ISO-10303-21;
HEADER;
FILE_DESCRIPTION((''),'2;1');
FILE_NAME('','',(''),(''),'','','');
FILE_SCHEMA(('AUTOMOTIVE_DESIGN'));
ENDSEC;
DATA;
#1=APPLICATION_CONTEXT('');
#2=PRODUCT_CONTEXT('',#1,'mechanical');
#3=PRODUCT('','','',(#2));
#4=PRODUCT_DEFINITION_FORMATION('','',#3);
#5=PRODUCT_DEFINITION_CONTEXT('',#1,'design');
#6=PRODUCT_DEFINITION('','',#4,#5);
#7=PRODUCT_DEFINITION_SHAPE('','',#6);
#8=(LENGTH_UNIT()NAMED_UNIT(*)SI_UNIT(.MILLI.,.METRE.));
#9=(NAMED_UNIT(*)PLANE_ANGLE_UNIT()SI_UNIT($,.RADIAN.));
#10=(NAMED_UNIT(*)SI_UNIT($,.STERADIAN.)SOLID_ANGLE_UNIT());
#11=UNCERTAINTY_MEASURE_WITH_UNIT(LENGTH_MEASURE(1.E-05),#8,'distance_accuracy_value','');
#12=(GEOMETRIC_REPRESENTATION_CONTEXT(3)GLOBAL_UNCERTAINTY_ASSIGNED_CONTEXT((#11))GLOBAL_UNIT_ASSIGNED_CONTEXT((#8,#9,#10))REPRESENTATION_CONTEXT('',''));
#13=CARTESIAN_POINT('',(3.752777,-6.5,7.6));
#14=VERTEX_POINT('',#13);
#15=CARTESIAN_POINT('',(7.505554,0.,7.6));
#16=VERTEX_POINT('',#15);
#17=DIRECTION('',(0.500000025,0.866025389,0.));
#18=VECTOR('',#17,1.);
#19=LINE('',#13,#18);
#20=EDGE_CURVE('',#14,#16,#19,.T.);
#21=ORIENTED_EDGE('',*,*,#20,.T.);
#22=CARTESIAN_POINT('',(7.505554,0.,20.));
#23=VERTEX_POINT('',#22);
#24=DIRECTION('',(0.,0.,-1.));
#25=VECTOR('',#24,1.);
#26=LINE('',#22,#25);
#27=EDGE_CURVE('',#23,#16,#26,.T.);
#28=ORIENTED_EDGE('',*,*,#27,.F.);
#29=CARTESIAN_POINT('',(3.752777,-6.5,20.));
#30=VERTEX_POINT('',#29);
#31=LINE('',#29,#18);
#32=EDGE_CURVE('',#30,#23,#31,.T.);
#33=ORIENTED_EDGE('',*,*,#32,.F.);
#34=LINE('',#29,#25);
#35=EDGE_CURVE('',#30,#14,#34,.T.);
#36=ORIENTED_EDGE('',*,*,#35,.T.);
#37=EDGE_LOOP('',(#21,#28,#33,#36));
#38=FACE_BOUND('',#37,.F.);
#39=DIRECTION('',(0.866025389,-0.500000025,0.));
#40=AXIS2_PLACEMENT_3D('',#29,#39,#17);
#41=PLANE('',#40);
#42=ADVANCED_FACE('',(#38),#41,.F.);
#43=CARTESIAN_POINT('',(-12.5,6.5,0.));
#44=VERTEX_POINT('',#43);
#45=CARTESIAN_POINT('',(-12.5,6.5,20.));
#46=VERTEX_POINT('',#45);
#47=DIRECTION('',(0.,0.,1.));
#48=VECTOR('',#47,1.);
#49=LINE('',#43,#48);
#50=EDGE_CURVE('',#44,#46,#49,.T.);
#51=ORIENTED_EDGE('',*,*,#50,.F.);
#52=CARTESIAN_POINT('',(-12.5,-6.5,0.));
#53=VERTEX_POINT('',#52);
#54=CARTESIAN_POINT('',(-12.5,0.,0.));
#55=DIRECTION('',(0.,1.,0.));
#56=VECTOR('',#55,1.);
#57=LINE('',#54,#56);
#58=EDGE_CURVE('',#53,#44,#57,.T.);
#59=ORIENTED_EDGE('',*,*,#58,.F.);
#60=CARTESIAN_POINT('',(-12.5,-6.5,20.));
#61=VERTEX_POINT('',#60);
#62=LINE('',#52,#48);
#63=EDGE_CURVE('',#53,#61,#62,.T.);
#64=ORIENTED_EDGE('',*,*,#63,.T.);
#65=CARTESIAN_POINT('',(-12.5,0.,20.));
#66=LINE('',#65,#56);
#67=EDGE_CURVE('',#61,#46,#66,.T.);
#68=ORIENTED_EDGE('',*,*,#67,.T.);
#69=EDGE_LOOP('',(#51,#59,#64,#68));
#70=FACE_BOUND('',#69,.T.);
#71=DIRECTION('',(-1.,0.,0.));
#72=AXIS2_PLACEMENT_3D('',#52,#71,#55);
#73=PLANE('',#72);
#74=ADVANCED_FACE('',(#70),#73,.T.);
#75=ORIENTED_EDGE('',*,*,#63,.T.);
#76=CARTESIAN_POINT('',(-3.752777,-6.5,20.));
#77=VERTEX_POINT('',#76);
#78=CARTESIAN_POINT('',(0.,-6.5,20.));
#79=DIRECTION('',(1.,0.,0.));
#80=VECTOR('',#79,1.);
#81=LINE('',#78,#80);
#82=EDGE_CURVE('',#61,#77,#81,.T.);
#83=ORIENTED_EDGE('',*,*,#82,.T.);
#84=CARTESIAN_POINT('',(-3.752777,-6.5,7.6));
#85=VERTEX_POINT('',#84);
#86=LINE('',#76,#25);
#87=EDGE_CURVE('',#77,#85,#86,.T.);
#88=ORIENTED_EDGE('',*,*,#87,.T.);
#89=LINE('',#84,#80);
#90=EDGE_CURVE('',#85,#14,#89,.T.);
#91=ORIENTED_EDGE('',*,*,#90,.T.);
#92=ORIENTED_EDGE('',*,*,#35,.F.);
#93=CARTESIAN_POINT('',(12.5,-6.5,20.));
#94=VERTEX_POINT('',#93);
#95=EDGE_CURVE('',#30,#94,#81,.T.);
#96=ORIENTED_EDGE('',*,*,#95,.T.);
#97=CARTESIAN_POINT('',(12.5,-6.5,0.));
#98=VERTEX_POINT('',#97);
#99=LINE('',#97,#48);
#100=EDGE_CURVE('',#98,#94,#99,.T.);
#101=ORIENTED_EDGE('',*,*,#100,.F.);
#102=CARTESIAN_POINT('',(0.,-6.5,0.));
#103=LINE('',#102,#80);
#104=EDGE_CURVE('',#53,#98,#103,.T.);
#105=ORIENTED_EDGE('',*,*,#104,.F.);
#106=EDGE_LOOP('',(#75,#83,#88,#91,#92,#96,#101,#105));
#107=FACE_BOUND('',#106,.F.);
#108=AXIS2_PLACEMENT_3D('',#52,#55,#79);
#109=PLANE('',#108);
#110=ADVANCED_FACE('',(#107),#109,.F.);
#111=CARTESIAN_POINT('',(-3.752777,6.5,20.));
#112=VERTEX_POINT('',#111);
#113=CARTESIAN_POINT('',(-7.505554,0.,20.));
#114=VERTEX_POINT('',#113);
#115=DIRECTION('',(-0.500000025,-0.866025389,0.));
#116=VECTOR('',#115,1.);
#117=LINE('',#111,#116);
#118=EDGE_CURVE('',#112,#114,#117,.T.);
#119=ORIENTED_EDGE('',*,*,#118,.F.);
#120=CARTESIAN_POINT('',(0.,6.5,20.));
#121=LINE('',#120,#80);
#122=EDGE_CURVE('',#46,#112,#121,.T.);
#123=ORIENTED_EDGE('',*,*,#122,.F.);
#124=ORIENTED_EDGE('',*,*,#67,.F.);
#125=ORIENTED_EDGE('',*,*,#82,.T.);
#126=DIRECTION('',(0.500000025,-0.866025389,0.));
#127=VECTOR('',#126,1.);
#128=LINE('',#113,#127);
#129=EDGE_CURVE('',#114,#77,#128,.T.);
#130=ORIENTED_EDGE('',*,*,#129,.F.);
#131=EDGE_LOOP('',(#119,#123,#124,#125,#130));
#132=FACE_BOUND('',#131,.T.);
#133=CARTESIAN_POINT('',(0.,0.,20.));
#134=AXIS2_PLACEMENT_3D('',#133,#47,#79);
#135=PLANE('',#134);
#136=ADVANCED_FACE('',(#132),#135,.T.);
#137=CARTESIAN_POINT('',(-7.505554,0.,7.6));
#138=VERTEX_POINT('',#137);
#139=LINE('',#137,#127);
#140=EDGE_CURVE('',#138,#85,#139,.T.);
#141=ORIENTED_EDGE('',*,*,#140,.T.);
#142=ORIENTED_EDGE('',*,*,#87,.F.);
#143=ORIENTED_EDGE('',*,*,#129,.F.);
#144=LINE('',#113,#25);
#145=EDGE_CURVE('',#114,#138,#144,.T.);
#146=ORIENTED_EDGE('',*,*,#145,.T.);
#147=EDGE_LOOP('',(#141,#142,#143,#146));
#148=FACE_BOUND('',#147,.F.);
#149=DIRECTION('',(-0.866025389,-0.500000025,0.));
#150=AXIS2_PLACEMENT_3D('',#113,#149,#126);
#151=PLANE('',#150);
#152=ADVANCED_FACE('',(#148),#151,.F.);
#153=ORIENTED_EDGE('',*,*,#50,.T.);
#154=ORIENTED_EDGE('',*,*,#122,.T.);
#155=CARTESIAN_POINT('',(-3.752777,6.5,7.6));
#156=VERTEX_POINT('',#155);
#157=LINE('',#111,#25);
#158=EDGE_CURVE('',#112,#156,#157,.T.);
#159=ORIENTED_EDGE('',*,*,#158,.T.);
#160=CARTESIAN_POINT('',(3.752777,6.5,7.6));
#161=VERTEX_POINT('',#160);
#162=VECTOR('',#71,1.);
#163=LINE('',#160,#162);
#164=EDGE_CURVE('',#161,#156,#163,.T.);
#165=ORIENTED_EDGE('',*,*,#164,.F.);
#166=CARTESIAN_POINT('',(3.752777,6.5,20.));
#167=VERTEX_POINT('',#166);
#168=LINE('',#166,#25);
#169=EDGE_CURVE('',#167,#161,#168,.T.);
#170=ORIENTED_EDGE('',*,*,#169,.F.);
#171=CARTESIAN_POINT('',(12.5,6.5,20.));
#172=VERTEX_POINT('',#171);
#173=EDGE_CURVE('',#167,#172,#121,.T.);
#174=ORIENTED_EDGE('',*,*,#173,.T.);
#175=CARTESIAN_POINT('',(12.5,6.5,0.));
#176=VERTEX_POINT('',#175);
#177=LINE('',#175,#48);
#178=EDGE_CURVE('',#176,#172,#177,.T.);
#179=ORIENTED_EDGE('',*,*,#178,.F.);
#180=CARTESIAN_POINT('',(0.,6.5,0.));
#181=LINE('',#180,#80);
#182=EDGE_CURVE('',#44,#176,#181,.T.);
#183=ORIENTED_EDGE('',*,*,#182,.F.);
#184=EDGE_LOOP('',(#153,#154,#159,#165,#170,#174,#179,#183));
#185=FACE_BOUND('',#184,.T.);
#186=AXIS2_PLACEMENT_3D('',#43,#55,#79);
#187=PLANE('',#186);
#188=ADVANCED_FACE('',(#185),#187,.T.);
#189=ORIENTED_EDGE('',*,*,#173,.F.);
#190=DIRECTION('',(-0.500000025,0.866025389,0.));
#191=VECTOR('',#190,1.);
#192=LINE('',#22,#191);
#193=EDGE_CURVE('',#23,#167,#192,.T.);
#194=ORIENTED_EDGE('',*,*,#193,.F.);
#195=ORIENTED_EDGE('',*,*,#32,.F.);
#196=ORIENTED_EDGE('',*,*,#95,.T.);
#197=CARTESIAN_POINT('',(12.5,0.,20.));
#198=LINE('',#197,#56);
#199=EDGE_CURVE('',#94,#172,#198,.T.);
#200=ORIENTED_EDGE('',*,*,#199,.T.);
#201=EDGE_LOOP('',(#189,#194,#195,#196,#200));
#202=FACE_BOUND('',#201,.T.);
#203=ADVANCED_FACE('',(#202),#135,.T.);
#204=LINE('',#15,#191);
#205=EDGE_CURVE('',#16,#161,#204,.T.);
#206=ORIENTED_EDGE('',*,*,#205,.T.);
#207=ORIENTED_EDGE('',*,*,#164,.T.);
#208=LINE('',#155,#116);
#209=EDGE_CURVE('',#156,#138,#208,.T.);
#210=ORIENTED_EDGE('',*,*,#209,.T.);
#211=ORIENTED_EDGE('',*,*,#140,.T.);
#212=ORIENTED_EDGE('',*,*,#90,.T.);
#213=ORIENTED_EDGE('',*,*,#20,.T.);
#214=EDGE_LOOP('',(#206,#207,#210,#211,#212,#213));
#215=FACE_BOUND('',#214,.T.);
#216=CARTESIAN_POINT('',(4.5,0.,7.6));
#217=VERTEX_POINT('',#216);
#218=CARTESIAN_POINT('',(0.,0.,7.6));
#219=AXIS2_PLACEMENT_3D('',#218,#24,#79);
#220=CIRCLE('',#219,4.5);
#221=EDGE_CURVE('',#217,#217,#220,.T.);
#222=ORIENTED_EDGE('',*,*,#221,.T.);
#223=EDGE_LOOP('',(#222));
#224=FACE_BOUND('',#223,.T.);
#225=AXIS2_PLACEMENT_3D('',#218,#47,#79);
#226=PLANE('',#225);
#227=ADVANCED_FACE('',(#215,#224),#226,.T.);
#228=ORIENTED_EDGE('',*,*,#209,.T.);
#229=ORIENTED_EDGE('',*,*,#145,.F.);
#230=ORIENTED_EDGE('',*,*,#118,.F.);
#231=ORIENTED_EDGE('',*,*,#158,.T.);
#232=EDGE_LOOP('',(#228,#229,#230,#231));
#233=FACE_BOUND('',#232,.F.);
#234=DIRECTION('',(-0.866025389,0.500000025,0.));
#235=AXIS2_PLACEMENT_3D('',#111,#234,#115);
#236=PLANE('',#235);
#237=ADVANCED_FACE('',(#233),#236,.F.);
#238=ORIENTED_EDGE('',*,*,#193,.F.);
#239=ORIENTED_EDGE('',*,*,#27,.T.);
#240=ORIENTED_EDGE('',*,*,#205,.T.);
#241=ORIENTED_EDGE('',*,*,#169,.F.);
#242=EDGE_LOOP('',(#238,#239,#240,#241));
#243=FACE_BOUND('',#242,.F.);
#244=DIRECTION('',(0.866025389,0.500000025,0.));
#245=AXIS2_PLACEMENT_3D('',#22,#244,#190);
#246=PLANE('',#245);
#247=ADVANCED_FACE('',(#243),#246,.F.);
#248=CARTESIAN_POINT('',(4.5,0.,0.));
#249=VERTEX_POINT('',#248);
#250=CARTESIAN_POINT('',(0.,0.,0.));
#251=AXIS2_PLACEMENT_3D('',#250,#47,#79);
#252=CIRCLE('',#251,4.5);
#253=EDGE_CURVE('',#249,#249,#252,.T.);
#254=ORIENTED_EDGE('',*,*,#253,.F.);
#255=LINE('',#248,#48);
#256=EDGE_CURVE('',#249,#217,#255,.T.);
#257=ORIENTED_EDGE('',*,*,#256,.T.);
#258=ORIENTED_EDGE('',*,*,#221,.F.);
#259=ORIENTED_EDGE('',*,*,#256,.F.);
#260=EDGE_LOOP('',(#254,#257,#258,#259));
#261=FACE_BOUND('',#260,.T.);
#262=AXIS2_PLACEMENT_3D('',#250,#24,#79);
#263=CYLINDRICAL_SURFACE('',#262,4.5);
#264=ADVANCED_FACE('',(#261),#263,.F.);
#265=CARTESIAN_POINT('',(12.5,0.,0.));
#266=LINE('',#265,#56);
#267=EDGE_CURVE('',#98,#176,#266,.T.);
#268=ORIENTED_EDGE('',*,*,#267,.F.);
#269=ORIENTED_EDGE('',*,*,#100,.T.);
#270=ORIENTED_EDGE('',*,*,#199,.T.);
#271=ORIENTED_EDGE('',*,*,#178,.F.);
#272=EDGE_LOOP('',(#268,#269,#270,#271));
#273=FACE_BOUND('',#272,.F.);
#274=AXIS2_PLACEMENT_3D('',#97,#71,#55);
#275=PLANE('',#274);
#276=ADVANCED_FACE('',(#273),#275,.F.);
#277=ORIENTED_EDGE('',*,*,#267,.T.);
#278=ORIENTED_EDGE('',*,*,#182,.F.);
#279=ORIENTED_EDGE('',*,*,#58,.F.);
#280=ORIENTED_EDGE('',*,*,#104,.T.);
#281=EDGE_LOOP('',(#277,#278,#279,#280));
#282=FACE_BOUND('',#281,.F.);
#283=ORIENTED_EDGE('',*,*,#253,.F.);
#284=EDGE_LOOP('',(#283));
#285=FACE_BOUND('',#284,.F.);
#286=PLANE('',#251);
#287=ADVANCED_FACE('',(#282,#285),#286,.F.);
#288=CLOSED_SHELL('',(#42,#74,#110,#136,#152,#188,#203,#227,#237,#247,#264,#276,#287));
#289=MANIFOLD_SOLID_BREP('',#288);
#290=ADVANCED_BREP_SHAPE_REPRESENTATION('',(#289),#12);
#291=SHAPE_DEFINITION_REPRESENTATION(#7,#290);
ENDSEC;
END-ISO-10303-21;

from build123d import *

# Parameters (mm, degrees)
SKETCH_W     = 25
SKETCH_H     = 13
SKETCH_R     = 4.5
PAD_DEPTH    = 20
POCKET_DEPTH = 12.4


with BuildPart() as part:
    # Sketch → Pad (new body)
    with BuildSketch(Plane.XY):
        Rectangle(SKETCH_W, SKETCH_H)
        Circle(SKETCH_R, mode=Mode.SUBTRACT)
    extrude(amount=PAD_DEPTH)

    # Sketch001 → Pocket (cut)
    with BuildSketch(Plane.XY.offset(20)):
        Polygon((-7.505554, 0), (-3.752777, -6.5), (3.752777, -6.5), (7.505554, 0), (3.752777, 6.5), (-3.752777, 6.5), align=None)
    extrude(amount=-POCKET_DEPTH, mode=Mode.SUBTRACT)


solid = part.part
